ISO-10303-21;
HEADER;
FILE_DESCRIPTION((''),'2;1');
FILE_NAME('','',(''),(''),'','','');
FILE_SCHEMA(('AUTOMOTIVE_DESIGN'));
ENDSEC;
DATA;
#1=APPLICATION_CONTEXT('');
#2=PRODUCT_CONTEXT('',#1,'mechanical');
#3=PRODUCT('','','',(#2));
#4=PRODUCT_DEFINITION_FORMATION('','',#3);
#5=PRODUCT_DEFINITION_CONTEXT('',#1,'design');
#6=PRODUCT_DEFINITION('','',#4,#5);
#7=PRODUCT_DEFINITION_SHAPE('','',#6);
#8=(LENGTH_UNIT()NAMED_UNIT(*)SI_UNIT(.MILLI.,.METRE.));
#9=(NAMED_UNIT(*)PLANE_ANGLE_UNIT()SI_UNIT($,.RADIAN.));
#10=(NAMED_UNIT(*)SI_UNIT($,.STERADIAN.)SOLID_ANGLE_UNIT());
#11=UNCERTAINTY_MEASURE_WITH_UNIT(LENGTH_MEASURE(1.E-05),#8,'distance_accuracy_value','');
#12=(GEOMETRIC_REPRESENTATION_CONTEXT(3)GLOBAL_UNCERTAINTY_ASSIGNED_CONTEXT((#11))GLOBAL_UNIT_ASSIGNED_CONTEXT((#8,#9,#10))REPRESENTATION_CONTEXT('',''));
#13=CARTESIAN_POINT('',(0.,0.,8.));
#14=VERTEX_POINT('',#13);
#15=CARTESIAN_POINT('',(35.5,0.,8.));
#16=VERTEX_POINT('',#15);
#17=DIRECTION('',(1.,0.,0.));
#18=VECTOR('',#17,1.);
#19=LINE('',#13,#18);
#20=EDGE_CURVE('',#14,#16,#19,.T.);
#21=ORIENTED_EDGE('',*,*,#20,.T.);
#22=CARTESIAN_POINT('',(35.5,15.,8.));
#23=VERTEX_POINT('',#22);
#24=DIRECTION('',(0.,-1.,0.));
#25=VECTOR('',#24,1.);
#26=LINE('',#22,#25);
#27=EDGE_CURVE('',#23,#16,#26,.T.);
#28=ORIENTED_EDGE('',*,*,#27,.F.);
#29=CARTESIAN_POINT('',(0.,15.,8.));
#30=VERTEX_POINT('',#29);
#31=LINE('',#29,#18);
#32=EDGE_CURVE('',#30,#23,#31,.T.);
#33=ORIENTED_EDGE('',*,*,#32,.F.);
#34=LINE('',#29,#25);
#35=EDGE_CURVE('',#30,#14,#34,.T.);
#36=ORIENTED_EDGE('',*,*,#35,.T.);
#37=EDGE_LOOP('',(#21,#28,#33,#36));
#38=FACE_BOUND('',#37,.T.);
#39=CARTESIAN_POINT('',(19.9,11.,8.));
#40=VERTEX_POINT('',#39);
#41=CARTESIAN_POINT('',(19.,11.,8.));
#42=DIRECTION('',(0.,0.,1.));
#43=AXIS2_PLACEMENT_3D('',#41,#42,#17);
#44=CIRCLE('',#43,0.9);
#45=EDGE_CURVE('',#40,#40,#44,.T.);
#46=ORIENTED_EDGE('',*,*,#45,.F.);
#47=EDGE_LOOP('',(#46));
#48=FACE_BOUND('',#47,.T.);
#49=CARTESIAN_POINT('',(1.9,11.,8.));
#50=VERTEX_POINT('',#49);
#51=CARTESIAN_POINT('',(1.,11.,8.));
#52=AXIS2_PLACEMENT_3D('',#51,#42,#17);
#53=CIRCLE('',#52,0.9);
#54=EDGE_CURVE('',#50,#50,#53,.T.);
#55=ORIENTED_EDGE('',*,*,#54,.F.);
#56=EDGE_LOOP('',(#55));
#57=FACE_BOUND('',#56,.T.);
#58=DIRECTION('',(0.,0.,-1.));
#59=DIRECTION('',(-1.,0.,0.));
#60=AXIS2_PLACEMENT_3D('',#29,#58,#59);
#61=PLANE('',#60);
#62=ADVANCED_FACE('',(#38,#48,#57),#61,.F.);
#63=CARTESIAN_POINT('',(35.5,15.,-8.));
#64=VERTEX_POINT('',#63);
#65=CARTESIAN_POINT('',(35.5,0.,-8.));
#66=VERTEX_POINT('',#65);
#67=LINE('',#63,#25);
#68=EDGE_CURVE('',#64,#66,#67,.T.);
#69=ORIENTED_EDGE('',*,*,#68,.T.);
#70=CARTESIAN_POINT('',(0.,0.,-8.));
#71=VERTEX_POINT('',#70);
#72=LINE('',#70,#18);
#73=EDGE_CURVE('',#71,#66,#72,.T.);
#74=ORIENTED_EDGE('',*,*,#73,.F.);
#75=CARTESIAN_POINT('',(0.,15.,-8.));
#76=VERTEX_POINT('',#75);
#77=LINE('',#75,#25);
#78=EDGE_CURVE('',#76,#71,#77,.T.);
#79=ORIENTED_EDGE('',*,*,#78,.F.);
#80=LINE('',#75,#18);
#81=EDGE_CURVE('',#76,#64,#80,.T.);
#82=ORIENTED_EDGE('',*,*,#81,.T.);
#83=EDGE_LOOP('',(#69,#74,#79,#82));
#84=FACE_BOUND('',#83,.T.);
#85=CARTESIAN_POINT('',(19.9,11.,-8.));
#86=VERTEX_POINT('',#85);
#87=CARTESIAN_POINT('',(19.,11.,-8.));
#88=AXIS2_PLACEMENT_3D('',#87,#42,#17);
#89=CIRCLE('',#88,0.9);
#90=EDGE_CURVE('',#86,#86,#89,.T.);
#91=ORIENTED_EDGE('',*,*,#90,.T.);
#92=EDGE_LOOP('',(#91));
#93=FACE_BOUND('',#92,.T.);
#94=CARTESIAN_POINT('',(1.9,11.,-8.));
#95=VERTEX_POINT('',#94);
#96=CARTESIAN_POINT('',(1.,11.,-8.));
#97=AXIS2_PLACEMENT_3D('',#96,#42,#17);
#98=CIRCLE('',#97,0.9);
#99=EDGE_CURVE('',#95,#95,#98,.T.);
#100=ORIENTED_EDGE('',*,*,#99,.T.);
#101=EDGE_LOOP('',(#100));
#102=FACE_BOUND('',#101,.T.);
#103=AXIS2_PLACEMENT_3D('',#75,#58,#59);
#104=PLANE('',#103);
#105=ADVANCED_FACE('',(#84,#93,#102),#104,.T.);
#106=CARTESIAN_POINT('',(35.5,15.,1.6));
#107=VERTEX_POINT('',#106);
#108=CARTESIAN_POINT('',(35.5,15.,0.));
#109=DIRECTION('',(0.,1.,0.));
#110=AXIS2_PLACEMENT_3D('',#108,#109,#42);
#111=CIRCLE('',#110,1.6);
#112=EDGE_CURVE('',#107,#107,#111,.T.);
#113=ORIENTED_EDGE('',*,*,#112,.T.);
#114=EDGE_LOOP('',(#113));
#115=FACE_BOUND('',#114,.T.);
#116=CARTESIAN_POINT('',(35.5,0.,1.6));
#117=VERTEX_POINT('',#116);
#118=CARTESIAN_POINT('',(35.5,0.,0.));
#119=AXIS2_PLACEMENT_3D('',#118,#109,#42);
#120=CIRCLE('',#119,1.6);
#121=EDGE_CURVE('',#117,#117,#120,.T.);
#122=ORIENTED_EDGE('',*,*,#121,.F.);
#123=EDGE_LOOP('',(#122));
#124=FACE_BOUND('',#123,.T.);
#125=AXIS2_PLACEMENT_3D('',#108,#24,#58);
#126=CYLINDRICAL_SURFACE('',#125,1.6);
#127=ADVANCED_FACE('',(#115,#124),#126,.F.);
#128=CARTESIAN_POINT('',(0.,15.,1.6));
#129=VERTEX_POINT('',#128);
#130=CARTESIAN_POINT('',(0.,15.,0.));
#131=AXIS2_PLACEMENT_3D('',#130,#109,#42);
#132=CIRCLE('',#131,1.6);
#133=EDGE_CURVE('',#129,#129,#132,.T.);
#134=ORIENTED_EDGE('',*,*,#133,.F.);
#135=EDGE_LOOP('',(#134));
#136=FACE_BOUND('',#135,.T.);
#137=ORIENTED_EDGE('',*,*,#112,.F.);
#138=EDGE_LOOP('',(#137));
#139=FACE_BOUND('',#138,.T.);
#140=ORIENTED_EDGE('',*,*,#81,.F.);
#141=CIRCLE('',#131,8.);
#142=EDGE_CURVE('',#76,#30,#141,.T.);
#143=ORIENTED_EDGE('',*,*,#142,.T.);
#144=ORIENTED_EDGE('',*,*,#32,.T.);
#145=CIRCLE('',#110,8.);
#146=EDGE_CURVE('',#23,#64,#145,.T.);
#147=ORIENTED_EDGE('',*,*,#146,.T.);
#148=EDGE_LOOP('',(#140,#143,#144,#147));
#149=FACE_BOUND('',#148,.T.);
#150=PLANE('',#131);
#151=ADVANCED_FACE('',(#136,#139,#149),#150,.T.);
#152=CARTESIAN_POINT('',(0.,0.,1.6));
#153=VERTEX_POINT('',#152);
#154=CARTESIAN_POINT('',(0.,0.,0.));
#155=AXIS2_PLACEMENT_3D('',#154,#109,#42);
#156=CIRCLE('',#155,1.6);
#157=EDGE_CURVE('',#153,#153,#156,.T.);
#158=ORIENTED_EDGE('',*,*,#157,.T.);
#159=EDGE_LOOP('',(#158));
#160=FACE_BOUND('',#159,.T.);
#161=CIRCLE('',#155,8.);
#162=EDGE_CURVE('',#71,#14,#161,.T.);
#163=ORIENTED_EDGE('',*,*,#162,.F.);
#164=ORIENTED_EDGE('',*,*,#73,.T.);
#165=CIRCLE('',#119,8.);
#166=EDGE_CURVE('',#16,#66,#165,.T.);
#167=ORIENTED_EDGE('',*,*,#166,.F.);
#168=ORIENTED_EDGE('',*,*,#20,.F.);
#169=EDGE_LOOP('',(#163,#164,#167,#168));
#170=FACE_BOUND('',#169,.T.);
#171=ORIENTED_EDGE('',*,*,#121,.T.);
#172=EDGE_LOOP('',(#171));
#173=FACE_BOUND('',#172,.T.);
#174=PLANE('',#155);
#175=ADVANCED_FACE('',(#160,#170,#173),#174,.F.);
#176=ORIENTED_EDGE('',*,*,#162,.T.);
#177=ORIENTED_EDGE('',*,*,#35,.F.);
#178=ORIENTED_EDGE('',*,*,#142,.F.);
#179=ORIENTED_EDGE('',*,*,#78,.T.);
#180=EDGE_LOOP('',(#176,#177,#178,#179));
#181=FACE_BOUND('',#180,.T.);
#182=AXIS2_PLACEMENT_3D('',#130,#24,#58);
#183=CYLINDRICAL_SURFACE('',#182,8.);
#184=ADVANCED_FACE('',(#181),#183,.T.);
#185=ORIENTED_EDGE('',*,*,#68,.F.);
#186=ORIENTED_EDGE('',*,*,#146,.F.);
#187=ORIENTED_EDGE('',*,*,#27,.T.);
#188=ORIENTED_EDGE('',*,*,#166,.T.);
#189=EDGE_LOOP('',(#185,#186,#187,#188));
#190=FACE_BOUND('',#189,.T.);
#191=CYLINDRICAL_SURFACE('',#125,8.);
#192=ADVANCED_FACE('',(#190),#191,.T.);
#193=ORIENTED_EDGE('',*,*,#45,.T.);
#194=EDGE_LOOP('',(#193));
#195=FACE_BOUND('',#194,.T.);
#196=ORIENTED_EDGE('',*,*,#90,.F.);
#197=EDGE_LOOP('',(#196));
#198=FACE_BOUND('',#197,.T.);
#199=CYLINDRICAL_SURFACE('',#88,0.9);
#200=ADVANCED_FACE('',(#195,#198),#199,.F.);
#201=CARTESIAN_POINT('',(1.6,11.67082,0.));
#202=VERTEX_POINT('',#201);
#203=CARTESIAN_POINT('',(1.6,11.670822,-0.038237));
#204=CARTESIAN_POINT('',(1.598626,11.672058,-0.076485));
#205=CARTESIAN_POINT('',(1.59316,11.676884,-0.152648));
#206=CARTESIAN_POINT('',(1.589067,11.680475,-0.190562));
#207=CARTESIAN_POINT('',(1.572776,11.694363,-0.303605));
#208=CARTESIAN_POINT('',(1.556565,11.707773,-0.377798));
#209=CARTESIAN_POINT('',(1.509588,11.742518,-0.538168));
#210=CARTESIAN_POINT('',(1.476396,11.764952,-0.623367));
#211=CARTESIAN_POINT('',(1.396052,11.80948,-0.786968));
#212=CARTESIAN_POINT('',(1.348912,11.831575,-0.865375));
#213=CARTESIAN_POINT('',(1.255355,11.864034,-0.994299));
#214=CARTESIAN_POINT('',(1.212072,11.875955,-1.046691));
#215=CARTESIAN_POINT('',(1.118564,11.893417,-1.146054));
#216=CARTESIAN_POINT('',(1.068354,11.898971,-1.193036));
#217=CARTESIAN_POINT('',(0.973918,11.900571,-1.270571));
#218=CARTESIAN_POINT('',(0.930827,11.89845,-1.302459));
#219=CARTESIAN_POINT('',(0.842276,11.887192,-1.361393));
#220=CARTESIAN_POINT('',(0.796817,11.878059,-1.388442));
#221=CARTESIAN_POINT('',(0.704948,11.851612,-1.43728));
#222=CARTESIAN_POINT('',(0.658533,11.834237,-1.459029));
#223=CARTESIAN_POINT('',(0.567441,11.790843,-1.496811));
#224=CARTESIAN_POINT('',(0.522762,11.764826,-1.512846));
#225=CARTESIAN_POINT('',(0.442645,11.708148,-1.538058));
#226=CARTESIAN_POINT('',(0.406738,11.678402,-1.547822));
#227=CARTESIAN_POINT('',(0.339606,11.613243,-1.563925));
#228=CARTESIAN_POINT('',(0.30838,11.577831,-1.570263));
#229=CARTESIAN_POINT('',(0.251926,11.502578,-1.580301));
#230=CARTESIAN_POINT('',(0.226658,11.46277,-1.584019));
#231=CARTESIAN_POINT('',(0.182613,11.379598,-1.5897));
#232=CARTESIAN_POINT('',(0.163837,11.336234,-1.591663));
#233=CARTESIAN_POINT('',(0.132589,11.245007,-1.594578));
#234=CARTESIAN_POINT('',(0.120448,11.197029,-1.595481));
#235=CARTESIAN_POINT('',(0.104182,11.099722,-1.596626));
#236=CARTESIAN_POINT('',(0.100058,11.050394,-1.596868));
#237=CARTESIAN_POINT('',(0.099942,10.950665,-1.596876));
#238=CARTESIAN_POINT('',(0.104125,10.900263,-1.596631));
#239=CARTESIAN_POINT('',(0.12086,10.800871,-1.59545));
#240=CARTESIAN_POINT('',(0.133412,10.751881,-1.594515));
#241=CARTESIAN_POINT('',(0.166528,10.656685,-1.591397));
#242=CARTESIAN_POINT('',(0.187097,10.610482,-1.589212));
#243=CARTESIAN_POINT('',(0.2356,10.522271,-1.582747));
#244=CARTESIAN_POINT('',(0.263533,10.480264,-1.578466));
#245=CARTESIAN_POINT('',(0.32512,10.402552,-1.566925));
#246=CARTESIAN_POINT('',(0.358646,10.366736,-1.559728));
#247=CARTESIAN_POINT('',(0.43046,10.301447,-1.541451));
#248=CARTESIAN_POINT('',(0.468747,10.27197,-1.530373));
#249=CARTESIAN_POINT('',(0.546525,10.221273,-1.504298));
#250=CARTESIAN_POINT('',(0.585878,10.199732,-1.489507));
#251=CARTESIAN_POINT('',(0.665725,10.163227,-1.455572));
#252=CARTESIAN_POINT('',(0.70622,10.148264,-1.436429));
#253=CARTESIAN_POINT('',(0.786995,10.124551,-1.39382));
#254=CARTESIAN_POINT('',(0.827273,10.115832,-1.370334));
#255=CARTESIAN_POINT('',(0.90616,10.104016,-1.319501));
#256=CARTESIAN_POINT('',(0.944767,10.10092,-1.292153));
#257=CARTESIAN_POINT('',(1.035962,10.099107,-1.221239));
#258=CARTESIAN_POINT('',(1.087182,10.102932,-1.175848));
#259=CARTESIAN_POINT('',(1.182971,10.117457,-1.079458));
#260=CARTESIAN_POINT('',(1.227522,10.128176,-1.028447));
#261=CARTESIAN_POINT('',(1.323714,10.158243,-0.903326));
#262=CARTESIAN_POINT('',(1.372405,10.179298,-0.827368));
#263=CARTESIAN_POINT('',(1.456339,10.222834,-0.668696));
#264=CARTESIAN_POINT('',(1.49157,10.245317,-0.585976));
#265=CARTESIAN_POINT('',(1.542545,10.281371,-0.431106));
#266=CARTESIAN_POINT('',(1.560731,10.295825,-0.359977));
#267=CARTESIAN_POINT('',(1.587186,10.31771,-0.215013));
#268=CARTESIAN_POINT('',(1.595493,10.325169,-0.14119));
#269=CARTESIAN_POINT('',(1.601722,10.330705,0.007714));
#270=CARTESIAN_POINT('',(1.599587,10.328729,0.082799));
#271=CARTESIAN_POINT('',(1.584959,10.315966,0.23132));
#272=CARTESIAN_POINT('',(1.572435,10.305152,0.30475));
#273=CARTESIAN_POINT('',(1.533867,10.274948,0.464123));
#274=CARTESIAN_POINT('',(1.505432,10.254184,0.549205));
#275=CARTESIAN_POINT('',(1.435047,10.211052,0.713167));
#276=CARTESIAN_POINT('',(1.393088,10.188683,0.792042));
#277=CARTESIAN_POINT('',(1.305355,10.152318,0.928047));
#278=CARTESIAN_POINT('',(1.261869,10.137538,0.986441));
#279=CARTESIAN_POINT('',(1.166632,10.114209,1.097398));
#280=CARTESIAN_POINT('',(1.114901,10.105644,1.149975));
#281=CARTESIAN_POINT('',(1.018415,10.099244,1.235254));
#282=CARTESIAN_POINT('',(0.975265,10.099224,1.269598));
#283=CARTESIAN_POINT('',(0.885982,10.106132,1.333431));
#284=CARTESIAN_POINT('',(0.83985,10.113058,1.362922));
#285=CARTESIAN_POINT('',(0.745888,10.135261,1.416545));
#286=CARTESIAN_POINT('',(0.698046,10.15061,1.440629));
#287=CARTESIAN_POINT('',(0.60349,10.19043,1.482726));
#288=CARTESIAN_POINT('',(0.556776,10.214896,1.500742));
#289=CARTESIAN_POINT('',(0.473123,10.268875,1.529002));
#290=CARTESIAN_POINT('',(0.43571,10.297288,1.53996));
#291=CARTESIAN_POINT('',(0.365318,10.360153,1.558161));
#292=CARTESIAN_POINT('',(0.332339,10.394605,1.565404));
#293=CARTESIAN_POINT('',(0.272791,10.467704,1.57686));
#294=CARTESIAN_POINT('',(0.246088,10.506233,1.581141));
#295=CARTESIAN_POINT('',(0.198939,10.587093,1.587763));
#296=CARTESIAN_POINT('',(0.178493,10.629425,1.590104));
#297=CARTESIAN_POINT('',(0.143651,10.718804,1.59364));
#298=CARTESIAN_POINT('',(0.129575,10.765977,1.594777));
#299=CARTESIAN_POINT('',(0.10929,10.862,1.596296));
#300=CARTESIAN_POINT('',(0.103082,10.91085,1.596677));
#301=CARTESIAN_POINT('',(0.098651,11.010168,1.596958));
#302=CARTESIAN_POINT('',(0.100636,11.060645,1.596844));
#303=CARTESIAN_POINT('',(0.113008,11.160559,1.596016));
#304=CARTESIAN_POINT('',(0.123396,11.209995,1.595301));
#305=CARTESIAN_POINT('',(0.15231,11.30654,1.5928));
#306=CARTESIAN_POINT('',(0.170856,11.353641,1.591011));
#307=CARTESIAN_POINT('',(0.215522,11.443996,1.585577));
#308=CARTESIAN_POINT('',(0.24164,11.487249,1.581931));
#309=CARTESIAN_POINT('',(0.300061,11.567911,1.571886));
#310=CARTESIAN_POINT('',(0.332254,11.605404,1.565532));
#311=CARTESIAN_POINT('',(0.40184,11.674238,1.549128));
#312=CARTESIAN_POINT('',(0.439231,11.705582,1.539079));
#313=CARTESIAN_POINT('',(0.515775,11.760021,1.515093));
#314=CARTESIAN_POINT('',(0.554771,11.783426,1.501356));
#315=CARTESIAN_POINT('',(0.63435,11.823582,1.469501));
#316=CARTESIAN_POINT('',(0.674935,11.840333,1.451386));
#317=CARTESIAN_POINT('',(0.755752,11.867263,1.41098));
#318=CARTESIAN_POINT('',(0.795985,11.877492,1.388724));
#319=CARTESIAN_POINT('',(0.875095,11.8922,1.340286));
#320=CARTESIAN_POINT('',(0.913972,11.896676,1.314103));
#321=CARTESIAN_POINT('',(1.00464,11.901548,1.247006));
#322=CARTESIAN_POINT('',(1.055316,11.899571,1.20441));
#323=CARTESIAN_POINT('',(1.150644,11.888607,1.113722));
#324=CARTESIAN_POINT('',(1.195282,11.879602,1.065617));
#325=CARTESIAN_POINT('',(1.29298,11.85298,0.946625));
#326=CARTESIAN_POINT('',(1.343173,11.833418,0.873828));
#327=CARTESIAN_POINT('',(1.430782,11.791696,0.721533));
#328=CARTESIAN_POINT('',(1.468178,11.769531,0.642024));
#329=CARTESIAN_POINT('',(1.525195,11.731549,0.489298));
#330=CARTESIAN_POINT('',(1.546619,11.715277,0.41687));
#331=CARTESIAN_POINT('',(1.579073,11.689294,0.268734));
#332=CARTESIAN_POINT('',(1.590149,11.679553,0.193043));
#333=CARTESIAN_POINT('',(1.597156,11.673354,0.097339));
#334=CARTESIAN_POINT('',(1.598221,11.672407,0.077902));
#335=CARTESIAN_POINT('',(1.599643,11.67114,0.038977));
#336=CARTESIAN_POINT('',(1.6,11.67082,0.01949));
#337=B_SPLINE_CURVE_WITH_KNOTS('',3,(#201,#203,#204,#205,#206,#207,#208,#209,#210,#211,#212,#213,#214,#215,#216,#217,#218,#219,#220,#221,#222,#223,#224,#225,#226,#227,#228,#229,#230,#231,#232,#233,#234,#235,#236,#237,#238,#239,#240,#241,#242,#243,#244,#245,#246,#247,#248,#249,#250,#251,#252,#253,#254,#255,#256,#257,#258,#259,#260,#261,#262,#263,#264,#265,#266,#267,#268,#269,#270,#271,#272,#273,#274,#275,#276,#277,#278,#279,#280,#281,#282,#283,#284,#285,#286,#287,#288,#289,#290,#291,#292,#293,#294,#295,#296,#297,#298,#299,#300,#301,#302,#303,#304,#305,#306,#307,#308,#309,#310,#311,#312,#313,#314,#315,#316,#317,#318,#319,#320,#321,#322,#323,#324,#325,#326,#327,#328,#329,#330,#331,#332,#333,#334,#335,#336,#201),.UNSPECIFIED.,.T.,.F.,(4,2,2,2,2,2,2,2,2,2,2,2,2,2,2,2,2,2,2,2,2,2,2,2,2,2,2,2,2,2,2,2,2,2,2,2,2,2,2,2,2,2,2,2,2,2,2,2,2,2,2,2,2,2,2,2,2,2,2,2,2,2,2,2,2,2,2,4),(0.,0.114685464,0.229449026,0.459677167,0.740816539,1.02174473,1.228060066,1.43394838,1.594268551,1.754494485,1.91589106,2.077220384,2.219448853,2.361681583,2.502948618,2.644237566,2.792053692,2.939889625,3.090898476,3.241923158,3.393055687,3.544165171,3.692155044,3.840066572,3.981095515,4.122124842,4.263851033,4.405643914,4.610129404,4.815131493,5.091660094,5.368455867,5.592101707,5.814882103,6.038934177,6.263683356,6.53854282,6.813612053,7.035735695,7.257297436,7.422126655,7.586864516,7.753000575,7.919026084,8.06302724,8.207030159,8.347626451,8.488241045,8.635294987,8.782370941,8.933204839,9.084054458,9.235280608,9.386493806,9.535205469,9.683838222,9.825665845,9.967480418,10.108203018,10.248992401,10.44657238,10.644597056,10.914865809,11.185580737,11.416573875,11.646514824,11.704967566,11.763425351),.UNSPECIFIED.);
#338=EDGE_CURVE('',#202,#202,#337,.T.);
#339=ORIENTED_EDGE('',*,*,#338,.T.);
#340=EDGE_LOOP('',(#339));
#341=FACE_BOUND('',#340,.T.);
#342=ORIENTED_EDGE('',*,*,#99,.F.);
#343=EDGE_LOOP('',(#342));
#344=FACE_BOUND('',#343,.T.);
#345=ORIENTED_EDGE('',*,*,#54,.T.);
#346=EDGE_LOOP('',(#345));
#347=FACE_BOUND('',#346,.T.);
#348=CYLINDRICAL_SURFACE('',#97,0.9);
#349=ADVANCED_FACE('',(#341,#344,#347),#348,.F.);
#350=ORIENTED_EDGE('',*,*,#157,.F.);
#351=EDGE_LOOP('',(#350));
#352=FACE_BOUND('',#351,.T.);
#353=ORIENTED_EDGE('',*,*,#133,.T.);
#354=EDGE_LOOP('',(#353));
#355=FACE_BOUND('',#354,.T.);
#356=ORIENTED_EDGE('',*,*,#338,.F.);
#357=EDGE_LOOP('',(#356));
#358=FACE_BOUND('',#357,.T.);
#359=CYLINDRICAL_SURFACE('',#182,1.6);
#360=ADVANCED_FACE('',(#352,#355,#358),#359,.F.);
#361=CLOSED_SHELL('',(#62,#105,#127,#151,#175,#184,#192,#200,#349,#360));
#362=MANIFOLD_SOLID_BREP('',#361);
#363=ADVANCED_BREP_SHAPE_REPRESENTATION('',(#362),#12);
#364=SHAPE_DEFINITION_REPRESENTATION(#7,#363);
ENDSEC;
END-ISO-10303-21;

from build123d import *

# Parameters (mm, degrees)
SKETCH_1_R          = 1.6
EXTRUDE_1_DEPTH     = 15
SKETCH_2_R          = 0.9
CUT_EXTRUDE_1_DEPTH = 49.716013794


with BuildPart() as part:
    # 草图1 → 凸台-拉伸1 (new body)
    with BuildSketch(Plane(origin=(0, 0, 0), x_dir=(1, 0, 0), z_dir=(0, 1, 0))):
        with BuildLine():
            Line((0, 8), (35.5, 8))
            ThreePointArc((35.5, 8), (43.5, 0), (35.5, -8))
            Line((35.5, -8), (0, -8))
            ThreePointArc((0, -8), (-8, 0), (0, 8))
        make_face()
        with Locations(Location((35.5, 0, 0), (0, 0, 270))):
            Circle(SKETCH_1_R, mode=Mode.SUBTRACT)
        with Locations(Location((0, 0, 0), (0, 0, 270))):
            Circle(SKETCH_1_R, mode=Mode.SUBTRACT)
    extrude(amount=EXTRUDE_1_DEPTH)

    # 草图2 → 切除-拉伸1 (cut, through all)
    with BuildSketch(Plane.XY.offset(8)):
        with Locations((19, 11)):
            Circle(SKETCH_2_R)
        with Locations((1, 11)):
            Circle(SKETCH_2_R)
    extrude(amount=-CUT_EXTRUDE_1_DEPTH, mode=Mode.SUBTRACT)


solid = part.part
